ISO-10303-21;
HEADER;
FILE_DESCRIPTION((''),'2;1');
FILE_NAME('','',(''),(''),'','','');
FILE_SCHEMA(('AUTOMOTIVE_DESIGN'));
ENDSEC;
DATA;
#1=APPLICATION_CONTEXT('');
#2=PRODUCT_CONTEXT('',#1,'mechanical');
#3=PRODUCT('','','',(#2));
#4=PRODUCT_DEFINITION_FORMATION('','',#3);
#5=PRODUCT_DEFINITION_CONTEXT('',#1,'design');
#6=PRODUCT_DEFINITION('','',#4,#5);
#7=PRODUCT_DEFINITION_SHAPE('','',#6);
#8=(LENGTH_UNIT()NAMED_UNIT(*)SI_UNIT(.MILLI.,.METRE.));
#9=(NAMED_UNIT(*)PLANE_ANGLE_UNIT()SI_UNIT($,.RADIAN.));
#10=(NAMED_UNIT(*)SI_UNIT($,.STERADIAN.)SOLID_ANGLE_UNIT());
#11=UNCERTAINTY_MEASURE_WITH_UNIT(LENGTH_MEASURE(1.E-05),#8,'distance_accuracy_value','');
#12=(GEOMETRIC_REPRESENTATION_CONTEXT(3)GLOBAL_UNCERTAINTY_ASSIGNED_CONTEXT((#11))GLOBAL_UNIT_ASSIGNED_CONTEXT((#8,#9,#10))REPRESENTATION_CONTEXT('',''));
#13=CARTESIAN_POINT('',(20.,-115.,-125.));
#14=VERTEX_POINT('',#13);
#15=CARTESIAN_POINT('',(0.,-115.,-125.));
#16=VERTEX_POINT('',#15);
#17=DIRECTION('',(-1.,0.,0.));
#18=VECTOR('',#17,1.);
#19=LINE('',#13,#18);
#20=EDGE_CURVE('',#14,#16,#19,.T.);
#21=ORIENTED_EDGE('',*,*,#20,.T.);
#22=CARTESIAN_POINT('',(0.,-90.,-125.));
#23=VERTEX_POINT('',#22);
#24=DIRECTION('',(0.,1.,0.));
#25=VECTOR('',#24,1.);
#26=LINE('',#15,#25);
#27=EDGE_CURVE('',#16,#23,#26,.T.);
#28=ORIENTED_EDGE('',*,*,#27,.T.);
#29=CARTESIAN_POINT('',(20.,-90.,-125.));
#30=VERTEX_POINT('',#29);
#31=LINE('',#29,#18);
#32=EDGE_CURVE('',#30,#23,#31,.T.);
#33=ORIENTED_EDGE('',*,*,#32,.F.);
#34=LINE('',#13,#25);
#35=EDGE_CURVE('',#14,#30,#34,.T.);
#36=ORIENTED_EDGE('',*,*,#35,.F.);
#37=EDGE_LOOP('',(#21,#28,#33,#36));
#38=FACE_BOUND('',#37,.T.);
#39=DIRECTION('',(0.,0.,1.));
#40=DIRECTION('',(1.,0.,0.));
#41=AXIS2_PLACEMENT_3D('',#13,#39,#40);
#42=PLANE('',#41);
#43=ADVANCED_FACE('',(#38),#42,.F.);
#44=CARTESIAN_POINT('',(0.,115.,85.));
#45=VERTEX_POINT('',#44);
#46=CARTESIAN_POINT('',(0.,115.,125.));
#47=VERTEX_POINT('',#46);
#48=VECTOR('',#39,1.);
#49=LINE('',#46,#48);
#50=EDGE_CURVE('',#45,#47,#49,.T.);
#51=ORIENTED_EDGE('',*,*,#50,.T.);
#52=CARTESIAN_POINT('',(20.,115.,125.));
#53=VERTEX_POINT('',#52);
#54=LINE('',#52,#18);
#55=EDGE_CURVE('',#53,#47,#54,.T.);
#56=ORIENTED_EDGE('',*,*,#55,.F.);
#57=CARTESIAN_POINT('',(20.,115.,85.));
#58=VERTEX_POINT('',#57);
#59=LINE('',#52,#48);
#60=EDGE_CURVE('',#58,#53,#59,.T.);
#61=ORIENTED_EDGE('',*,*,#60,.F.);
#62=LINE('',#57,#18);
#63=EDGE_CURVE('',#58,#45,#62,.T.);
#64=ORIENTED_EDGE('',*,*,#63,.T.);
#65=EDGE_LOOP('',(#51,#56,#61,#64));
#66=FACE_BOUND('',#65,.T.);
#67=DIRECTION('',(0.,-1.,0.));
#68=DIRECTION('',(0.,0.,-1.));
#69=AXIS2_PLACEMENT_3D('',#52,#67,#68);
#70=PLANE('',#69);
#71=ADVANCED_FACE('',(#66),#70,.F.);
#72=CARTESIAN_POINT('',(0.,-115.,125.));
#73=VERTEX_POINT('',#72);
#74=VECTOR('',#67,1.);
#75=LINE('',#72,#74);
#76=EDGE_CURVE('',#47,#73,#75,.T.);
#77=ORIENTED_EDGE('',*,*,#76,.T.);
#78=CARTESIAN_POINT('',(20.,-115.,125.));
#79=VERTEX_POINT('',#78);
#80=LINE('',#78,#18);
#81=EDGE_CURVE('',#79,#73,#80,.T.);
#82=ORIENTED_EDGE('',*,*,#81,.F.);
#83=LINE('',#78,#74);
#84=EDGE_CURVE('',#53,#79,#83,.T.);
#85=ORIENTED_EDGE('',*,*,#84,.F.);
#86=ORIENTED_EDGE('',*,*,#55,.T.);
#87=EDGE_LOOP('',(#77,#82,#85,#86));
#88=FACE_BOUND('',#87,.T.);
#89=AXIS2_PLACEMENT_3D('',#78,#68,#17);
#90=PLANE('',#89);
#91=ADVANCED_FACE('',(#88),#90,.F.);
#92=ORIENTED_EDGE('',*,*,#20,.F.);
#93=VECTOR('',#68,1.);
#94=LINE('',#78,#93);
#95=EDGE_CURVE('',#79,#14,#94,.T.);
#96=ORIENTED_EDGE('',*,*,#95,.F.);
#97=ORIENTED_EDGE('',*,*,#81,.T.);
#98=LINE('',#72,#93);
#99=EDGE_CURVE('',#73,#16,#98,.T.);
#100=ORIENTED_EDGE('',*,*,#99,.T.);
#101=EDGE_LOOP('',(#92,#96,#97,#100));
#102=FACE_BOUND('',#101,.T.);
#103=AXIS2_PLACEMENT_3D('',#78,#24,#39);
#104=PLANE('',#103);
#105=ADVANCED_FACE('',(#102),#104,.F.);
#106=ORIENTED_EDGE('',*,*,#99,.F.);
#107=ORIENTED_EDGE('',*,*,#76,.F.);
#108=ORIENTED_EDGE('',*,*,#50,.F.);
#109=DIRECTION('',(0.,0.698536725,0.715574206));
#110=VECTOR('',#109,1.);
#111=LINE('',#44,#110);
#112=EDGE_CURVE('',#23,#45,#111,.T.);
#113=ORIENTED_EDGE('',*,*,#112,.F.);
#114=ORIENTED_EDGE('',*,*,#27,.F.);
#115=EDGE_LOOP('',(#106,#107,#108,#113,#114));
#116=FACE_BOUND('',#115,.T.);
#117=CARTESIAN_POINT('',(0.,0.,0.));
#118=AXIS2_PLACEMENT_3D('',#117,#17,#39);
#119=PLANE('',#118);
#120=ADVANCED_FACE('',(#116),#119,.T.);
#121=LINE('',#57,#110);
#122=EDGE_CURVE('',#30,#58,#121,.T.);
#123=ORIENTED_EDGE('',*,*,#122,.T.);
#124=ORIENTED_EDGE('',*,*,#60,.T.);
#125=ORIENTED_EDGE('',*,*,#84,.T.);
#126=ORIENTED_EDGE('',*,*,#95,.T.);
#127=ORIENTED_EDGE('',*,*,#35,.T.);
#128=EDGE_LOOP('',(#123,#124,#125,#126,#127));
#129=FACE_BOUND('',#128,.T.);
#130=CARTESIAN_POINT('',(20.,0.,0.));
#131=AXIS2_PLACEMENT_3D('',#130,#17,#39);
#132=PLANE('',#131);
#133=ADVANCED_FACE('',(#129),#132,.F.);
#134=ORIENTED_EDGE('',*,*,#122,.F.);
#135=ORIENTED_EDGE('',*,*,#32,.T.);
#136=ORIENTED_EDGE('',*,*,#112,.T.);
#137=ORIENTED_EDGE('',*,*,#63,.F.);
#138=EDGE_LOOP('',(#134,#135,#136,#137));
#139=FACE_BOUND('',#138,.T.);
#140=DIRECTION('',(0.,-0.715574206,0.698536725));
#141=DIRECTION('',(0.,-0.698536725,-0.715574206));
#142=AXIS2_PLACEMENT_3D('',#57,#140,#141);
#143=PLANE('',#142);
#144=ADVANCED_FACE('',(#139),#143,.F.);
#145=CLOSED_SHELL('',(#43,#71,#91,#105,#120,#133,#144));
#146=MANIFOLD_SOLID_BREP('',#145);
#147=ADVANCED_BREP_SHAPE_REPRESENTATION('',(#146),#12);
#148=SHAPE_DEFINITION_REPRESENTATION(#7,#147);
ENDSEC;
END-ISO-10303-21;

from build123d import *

# Parameters (mm, degrees)
BOSS_EXTRUDE1_DEPTH = 20


with BuildPart() as part:
    # Sketch1 → Boss-Extrude1 (new body)
    with BuildSketch(Plane(origin=(0, 0, 0), x_dir=(0, 0, -1), z_dir=(1, 0, 0))):
        Polygon((-85, 115), (125, -90), (125, -115), (-125, -115), (-125, 115), align=None)
    extrude(amount=BOSS_EXTRUDE1_DEPTH)


solid = part.part
